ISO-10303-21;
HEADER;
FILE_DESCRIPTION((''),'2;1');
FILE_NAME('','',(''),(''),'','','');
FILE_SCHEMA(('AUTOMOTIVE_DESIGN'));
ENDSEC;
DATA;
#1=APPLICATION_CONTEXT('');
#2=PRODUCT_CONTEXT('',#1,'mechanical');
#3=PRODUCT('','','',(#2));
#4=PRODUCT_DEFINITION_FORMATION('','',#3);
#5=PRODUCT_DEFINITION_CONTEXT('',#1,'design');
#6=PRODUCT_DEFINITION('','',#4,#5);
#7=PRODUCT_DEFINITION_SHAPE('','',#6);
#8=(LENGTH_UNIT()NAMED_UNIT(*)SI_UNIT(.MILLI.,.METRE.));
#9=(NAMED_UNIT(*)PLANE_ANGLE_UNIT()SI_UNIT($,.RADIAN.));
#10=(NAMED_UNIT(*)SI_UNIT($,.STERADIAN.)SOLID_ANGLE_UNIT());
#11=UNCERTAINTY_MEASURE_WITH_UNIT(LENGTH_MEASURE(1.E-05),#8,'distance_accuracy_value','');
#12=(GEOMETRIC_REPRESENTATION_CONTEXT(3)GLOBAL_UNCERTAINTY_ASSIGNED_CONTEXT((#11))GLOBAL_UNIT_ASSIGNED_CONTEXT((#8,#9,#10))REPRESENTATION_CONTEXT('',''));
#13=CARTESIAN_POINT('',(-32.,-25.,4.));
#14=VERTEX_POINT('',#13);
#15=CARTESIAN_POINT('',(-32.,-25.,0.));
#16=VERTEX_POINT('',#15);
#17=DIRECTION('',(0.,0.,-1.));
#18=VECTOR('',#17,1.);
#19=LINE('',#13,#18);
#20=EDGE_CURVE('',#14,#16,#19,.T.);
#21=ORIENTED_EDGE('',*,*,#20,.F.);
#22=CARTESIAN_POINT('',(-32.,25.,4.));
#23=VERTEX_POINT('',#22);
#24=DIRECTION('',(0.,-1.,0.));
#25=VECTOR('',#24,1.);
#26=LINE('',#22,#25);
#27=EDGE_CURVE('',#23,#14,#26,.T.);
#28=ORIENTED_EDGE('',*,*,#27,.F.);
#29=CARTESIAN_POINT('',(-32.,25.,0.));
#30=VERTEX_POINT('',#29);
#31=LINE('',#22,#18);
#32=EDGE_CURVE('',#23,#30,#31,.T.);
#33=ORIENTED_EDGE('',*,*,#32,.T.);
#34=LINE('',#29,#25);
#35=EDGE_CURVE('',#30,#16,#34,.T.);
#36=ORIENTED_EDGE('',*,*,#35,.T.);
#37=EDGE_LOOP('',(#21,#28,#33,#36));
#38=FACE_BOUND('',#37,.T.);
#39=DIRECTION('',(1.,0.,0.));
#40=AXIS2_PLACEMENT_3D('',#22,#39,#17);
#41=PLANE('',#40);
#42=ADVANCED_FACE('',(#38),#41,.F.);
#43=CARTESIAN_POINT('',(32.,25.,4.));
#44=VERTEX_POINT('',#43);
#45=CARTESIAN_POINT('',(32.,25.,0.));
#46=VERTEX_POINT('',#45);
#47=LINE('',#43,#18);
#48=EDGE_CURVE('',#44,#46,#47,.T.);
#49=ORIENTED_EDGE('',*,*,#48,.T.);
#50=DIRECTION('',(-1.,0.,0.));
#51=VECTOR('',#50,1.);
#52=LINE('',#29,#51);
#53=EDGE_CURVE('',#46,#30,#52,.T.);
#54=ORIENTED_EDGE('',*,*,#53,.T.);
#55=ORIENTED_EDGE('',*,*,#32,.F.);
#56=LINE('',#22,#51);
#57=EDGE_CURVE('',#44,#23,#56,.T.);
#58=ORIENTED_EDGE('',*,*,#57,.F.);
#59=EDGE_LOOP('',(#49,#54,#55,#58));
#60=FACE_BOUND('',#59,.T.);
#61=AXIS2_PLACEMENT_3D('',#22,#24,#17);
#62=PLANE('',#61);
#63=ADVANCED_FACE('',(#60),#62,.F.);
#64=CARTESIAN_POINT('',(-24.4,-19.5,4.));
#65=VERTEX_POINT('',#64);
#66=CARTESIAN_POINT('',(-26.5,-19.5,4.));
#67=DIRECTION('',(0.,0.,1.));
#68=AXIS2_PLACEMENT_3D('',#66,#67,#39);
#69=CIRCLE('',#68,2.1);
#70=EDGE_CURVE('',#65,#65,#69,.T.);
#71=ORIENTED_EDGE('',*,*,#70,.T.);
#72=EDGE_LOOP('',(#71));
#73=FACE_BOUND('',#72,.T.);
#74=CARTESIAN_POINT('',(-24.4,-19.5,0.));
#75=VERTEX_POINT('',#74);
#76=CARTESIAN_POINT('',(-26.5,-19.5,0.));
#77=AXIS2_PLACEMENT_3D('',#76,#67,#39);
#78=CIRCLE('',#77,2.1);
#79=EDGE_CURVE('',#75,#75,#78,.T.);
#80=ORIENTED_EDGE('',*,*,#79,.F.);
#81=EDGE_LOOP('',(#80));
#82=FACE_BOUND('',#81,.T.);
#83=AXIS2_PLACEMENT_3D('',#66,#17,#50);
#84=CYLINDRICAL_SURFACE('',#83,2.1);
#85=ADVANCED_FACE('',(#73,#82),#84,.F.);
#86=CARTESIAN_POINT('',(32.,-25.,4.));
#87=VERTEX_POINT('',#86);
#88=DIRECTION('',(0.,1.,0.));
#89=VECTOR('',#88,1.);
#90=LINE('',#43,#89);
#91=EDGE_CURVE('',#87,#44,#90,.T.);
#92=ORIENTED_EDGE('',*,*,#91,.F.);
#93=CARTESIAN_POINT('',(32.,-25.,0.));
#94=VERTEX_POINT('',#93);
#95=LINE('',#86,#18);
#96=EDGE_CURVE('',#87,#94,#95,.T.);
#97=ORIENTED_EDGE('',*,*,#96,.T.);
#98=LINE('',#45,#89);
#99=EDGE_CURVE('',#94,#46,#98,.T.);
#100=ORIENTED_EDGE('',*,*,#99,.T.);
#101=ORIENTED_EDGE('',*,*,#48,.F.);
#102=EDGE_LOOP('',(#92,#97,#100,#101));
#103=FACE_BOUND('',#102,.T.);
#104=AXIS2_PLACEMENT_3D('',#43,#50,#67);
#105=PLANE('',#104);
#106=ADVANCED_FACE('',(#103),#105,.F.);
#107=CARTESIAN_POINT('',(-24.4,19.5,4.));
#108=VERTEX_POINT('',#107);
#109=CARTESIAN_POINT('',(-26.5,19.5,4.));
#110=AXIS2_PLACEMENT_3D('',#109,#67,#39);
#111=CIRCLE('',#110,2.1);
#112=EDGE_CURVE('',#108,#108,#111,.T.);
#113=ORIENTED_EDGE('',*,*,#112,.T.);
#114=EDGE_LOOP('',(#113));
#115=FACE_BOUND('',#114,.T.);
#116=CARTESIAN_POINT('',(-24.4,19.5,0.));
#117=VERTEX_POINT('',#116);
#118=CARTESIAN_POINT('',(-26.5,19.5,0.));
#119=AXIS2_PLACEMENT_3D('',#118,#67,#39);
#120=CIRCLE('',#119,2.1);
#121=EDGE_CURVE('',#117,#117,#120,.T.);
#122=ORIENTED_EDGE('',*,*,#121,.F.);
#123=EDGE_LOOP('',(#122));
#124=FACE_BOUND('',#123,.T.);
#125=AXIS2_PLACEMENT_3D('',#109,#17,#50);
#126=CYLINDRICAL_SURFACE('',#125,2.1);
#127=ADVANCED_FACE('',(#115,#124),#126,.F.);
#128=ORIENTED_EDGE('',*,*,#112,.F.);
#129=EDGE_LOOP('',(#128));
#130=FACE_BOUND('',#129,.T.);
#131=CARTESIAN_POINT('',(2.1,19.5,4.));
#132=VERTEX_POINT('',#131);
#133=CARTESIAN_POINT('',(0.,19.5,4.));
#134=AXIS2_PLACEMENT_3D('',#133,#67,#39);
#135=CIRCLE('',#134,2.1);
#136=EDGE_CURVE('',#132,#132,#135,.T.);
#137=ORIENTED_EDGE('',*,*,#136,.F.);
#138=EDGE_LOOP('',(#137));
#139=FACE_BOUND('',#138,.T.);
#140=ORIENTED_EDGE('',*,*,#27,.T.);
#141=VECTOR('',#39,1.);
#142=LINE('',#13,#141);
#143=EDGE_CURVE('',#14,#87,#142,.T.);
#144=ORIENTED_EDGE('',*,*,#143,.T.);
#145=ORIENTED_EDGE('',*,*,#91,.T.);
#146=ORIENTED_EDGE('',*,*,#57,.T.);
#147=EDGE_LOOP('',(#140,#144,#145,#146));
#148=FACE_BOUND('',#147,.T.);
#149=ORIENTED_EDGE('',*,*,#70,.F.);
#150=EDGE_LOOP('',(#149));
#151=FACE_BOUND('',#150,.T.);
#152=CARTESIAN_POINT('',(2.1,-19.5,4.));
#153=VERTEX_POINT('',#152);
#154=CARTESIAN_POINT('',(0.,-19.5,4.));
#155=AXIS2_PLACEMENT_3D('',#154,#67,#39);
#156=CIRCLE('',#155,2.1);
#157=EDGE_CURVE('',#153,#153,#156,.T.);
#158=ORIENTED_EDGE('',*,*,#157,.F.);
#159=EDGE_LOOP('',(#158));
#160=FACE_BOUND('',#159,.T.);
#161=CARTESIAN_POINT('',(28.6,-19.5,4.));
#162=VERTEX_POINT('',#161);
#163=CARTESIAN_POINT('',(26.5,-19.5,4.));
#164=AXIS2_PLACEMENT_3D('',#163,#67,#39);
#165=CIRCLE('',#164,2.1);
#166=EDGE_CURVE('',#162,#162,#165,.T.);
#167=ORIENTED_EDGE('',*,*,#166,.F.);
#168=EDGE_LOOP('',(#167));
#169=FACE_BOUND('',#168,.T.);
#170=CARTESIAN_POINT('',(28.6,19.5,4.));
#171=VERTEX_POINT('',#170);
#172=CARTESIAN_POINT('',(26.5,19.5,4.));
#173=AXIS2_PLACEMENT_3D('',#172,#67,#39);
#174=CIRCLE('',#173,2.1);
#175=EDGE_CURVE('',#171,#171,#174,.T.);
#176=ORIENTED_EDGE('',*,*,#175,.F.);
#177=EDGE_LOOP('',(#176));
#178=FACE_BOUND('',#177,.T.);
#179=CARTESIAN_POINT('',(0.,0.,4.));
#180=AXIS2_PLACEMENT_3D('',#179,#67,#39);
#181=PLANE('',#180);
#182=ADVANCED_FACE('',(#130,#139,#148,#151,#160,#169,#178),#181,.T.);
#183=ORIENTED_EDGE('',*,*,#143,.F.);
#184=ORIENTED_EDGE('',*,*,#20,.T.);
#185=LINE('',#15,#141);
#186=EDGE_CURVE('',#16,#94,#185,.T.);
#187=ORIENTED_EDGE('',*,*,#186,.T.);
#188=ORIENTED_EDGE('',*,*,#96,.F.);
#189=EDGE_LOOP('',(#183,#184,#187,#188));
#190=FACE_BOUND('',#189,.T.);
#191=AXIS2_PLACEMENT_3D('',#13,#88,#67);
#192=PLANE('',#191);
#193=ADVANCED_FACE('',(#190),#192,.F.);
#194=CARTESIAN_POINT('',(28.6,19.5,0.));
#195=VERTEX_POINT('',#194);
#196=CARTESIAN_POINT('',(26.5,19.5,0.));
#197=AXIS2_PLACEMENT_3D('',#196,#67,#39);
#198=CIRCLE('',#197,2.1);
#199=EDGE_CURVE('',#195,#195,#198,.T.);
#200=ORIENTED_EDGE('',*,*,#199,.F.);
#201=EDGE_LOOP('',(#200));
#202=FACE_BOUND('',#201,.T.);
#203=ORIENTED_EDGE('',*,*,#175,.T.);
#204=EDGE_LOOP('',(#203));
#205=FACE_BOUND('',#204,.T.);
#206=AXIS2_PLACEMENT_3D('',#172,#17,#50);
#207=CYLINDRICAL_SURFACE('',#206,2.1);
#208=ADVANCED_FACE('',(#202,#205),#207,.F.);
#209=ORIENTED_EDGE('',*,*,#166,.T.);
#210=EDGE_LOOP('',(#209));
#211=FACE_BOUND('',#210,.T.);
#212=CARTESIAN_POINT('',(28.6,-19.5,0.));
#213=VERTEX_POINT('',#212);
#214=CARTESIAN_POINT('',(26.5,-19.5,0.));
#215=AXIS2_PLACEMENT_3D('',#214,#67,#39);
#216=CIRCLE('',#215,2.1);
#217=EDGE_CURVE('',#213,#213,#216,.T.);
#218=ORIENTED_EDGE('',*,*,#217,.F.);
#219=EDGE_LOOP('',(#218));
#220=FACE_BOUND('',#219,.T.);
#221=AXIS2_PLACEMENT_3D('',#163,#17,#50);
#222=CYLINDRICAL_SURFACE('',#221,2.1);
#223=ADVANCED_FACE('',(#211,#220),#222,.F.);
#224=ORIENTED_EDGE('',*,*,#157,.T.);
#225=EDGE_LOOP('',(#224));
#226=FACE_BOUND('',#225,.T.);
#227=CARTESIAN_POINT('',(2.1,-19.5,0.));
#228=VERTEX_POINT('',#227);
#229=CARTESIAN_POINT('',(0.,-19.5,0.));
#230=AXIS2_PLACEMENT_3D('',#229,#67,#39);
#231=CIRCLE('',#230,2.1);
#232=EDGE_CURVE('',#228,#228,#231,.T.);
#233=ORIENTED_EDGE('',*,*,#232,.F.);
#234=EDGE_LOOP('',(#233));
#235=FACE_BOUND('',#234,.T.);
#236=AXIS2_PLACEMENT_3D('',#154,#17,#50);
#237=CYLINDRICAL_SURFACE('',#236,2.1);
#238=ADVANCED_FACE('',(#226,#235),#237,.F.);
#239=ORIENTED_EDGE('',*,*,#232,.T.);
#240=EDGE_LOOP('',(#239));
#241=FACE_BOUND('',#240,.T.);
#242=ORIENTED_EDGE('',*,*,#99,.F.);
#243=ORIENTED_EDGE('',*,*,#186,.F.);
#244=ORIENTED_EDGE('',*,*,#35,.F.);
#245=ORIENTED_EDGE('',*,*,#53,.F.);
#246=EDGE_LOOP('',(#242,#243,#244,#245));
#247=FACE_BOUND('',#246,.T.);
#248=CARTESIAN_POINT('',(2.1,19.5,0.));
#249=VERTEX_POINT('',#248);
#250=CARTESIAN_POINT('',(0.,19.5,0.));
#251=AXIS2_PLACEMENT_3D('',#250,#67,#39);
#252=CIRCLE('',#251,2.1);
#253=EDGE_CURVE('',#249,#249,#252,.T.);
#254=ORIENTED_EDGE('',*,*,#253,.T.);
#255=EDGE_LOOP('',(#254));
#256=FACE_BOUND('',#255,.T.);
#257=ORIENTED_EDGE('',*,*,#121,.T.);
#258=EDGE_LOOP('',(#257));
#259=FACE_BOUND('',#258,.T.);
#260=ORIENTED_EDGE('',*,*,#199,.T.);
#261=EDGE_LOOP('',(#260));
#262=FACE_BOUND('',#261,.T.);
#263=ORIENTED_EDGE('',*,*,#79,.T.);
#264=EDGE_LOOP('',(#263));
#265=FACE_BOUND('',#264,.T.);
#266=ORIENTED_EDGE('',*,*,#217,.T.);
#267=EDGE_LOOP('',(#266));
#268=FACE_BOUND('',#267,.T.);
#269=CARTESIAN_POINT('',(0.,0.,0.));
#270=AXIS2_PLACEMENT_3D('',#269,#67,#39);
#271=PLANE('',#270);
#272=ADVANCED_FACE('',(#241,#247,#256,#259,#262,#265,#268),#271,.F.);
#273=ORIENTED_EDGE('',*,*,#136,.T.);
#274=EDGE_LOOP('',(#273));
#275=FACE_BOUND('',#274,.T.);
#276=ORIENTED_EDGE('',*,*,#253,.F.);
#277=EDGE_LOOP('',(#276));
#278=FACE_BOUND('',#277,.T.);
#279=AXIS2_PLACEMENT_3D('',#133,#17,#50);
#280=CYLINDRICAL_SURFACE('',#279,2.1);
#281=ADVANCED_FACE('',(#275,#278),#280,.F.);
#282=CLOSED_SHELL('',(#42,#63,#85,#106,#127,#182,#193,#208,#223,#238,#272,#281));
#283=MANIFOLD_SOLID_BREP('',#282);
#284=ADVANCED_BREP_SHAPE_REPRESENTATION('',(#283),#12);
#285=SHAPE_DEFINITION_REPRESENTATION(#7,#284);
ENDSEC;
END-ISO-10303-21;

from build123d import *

# Parameters (mm, degrees)
SKETCH1_W           = 64
SKETCH1_H           = 50
SKETCH1_R           = 2.1
BOSS_EXTRUDE1_DEPTH = 4


with BuildPart() as part:
    # Sketch1 → Boss-Extrude1 (new body)
    with BuildSketch(Plane.XY):
        Rectangle(SKETCH1_W, SKETCH1_H)
        with Locations((-26.5, 19.5)):
            Circle(SKETCH1_R, mode=Mode.SUBTRACT)
        with Locations((26.5, 19.5)):
            Circle(SKETCH1_R, mode=Mode.SUBTRACT)
        with Locations((-26.5, -19.5)):
            Circle(SKETCH1_R, mode=Mode.SUBTRACT)
        with Locations((26.5, -19.5)):
            Circle(SKETCH1_R, mode=Mode.SUBTRACT)
        with Locations((0, 19.5)):
            Circle(SKETCH1_R, mode=Mode.SUBTRACT)
        with Locations((0, -19.5)):
            Circle(SKETCH1_R, mode=Mode.SUBTRACT)
    extrude(amount=BOSS_EXTRUDE1_DEPTH)


solid = part.part
